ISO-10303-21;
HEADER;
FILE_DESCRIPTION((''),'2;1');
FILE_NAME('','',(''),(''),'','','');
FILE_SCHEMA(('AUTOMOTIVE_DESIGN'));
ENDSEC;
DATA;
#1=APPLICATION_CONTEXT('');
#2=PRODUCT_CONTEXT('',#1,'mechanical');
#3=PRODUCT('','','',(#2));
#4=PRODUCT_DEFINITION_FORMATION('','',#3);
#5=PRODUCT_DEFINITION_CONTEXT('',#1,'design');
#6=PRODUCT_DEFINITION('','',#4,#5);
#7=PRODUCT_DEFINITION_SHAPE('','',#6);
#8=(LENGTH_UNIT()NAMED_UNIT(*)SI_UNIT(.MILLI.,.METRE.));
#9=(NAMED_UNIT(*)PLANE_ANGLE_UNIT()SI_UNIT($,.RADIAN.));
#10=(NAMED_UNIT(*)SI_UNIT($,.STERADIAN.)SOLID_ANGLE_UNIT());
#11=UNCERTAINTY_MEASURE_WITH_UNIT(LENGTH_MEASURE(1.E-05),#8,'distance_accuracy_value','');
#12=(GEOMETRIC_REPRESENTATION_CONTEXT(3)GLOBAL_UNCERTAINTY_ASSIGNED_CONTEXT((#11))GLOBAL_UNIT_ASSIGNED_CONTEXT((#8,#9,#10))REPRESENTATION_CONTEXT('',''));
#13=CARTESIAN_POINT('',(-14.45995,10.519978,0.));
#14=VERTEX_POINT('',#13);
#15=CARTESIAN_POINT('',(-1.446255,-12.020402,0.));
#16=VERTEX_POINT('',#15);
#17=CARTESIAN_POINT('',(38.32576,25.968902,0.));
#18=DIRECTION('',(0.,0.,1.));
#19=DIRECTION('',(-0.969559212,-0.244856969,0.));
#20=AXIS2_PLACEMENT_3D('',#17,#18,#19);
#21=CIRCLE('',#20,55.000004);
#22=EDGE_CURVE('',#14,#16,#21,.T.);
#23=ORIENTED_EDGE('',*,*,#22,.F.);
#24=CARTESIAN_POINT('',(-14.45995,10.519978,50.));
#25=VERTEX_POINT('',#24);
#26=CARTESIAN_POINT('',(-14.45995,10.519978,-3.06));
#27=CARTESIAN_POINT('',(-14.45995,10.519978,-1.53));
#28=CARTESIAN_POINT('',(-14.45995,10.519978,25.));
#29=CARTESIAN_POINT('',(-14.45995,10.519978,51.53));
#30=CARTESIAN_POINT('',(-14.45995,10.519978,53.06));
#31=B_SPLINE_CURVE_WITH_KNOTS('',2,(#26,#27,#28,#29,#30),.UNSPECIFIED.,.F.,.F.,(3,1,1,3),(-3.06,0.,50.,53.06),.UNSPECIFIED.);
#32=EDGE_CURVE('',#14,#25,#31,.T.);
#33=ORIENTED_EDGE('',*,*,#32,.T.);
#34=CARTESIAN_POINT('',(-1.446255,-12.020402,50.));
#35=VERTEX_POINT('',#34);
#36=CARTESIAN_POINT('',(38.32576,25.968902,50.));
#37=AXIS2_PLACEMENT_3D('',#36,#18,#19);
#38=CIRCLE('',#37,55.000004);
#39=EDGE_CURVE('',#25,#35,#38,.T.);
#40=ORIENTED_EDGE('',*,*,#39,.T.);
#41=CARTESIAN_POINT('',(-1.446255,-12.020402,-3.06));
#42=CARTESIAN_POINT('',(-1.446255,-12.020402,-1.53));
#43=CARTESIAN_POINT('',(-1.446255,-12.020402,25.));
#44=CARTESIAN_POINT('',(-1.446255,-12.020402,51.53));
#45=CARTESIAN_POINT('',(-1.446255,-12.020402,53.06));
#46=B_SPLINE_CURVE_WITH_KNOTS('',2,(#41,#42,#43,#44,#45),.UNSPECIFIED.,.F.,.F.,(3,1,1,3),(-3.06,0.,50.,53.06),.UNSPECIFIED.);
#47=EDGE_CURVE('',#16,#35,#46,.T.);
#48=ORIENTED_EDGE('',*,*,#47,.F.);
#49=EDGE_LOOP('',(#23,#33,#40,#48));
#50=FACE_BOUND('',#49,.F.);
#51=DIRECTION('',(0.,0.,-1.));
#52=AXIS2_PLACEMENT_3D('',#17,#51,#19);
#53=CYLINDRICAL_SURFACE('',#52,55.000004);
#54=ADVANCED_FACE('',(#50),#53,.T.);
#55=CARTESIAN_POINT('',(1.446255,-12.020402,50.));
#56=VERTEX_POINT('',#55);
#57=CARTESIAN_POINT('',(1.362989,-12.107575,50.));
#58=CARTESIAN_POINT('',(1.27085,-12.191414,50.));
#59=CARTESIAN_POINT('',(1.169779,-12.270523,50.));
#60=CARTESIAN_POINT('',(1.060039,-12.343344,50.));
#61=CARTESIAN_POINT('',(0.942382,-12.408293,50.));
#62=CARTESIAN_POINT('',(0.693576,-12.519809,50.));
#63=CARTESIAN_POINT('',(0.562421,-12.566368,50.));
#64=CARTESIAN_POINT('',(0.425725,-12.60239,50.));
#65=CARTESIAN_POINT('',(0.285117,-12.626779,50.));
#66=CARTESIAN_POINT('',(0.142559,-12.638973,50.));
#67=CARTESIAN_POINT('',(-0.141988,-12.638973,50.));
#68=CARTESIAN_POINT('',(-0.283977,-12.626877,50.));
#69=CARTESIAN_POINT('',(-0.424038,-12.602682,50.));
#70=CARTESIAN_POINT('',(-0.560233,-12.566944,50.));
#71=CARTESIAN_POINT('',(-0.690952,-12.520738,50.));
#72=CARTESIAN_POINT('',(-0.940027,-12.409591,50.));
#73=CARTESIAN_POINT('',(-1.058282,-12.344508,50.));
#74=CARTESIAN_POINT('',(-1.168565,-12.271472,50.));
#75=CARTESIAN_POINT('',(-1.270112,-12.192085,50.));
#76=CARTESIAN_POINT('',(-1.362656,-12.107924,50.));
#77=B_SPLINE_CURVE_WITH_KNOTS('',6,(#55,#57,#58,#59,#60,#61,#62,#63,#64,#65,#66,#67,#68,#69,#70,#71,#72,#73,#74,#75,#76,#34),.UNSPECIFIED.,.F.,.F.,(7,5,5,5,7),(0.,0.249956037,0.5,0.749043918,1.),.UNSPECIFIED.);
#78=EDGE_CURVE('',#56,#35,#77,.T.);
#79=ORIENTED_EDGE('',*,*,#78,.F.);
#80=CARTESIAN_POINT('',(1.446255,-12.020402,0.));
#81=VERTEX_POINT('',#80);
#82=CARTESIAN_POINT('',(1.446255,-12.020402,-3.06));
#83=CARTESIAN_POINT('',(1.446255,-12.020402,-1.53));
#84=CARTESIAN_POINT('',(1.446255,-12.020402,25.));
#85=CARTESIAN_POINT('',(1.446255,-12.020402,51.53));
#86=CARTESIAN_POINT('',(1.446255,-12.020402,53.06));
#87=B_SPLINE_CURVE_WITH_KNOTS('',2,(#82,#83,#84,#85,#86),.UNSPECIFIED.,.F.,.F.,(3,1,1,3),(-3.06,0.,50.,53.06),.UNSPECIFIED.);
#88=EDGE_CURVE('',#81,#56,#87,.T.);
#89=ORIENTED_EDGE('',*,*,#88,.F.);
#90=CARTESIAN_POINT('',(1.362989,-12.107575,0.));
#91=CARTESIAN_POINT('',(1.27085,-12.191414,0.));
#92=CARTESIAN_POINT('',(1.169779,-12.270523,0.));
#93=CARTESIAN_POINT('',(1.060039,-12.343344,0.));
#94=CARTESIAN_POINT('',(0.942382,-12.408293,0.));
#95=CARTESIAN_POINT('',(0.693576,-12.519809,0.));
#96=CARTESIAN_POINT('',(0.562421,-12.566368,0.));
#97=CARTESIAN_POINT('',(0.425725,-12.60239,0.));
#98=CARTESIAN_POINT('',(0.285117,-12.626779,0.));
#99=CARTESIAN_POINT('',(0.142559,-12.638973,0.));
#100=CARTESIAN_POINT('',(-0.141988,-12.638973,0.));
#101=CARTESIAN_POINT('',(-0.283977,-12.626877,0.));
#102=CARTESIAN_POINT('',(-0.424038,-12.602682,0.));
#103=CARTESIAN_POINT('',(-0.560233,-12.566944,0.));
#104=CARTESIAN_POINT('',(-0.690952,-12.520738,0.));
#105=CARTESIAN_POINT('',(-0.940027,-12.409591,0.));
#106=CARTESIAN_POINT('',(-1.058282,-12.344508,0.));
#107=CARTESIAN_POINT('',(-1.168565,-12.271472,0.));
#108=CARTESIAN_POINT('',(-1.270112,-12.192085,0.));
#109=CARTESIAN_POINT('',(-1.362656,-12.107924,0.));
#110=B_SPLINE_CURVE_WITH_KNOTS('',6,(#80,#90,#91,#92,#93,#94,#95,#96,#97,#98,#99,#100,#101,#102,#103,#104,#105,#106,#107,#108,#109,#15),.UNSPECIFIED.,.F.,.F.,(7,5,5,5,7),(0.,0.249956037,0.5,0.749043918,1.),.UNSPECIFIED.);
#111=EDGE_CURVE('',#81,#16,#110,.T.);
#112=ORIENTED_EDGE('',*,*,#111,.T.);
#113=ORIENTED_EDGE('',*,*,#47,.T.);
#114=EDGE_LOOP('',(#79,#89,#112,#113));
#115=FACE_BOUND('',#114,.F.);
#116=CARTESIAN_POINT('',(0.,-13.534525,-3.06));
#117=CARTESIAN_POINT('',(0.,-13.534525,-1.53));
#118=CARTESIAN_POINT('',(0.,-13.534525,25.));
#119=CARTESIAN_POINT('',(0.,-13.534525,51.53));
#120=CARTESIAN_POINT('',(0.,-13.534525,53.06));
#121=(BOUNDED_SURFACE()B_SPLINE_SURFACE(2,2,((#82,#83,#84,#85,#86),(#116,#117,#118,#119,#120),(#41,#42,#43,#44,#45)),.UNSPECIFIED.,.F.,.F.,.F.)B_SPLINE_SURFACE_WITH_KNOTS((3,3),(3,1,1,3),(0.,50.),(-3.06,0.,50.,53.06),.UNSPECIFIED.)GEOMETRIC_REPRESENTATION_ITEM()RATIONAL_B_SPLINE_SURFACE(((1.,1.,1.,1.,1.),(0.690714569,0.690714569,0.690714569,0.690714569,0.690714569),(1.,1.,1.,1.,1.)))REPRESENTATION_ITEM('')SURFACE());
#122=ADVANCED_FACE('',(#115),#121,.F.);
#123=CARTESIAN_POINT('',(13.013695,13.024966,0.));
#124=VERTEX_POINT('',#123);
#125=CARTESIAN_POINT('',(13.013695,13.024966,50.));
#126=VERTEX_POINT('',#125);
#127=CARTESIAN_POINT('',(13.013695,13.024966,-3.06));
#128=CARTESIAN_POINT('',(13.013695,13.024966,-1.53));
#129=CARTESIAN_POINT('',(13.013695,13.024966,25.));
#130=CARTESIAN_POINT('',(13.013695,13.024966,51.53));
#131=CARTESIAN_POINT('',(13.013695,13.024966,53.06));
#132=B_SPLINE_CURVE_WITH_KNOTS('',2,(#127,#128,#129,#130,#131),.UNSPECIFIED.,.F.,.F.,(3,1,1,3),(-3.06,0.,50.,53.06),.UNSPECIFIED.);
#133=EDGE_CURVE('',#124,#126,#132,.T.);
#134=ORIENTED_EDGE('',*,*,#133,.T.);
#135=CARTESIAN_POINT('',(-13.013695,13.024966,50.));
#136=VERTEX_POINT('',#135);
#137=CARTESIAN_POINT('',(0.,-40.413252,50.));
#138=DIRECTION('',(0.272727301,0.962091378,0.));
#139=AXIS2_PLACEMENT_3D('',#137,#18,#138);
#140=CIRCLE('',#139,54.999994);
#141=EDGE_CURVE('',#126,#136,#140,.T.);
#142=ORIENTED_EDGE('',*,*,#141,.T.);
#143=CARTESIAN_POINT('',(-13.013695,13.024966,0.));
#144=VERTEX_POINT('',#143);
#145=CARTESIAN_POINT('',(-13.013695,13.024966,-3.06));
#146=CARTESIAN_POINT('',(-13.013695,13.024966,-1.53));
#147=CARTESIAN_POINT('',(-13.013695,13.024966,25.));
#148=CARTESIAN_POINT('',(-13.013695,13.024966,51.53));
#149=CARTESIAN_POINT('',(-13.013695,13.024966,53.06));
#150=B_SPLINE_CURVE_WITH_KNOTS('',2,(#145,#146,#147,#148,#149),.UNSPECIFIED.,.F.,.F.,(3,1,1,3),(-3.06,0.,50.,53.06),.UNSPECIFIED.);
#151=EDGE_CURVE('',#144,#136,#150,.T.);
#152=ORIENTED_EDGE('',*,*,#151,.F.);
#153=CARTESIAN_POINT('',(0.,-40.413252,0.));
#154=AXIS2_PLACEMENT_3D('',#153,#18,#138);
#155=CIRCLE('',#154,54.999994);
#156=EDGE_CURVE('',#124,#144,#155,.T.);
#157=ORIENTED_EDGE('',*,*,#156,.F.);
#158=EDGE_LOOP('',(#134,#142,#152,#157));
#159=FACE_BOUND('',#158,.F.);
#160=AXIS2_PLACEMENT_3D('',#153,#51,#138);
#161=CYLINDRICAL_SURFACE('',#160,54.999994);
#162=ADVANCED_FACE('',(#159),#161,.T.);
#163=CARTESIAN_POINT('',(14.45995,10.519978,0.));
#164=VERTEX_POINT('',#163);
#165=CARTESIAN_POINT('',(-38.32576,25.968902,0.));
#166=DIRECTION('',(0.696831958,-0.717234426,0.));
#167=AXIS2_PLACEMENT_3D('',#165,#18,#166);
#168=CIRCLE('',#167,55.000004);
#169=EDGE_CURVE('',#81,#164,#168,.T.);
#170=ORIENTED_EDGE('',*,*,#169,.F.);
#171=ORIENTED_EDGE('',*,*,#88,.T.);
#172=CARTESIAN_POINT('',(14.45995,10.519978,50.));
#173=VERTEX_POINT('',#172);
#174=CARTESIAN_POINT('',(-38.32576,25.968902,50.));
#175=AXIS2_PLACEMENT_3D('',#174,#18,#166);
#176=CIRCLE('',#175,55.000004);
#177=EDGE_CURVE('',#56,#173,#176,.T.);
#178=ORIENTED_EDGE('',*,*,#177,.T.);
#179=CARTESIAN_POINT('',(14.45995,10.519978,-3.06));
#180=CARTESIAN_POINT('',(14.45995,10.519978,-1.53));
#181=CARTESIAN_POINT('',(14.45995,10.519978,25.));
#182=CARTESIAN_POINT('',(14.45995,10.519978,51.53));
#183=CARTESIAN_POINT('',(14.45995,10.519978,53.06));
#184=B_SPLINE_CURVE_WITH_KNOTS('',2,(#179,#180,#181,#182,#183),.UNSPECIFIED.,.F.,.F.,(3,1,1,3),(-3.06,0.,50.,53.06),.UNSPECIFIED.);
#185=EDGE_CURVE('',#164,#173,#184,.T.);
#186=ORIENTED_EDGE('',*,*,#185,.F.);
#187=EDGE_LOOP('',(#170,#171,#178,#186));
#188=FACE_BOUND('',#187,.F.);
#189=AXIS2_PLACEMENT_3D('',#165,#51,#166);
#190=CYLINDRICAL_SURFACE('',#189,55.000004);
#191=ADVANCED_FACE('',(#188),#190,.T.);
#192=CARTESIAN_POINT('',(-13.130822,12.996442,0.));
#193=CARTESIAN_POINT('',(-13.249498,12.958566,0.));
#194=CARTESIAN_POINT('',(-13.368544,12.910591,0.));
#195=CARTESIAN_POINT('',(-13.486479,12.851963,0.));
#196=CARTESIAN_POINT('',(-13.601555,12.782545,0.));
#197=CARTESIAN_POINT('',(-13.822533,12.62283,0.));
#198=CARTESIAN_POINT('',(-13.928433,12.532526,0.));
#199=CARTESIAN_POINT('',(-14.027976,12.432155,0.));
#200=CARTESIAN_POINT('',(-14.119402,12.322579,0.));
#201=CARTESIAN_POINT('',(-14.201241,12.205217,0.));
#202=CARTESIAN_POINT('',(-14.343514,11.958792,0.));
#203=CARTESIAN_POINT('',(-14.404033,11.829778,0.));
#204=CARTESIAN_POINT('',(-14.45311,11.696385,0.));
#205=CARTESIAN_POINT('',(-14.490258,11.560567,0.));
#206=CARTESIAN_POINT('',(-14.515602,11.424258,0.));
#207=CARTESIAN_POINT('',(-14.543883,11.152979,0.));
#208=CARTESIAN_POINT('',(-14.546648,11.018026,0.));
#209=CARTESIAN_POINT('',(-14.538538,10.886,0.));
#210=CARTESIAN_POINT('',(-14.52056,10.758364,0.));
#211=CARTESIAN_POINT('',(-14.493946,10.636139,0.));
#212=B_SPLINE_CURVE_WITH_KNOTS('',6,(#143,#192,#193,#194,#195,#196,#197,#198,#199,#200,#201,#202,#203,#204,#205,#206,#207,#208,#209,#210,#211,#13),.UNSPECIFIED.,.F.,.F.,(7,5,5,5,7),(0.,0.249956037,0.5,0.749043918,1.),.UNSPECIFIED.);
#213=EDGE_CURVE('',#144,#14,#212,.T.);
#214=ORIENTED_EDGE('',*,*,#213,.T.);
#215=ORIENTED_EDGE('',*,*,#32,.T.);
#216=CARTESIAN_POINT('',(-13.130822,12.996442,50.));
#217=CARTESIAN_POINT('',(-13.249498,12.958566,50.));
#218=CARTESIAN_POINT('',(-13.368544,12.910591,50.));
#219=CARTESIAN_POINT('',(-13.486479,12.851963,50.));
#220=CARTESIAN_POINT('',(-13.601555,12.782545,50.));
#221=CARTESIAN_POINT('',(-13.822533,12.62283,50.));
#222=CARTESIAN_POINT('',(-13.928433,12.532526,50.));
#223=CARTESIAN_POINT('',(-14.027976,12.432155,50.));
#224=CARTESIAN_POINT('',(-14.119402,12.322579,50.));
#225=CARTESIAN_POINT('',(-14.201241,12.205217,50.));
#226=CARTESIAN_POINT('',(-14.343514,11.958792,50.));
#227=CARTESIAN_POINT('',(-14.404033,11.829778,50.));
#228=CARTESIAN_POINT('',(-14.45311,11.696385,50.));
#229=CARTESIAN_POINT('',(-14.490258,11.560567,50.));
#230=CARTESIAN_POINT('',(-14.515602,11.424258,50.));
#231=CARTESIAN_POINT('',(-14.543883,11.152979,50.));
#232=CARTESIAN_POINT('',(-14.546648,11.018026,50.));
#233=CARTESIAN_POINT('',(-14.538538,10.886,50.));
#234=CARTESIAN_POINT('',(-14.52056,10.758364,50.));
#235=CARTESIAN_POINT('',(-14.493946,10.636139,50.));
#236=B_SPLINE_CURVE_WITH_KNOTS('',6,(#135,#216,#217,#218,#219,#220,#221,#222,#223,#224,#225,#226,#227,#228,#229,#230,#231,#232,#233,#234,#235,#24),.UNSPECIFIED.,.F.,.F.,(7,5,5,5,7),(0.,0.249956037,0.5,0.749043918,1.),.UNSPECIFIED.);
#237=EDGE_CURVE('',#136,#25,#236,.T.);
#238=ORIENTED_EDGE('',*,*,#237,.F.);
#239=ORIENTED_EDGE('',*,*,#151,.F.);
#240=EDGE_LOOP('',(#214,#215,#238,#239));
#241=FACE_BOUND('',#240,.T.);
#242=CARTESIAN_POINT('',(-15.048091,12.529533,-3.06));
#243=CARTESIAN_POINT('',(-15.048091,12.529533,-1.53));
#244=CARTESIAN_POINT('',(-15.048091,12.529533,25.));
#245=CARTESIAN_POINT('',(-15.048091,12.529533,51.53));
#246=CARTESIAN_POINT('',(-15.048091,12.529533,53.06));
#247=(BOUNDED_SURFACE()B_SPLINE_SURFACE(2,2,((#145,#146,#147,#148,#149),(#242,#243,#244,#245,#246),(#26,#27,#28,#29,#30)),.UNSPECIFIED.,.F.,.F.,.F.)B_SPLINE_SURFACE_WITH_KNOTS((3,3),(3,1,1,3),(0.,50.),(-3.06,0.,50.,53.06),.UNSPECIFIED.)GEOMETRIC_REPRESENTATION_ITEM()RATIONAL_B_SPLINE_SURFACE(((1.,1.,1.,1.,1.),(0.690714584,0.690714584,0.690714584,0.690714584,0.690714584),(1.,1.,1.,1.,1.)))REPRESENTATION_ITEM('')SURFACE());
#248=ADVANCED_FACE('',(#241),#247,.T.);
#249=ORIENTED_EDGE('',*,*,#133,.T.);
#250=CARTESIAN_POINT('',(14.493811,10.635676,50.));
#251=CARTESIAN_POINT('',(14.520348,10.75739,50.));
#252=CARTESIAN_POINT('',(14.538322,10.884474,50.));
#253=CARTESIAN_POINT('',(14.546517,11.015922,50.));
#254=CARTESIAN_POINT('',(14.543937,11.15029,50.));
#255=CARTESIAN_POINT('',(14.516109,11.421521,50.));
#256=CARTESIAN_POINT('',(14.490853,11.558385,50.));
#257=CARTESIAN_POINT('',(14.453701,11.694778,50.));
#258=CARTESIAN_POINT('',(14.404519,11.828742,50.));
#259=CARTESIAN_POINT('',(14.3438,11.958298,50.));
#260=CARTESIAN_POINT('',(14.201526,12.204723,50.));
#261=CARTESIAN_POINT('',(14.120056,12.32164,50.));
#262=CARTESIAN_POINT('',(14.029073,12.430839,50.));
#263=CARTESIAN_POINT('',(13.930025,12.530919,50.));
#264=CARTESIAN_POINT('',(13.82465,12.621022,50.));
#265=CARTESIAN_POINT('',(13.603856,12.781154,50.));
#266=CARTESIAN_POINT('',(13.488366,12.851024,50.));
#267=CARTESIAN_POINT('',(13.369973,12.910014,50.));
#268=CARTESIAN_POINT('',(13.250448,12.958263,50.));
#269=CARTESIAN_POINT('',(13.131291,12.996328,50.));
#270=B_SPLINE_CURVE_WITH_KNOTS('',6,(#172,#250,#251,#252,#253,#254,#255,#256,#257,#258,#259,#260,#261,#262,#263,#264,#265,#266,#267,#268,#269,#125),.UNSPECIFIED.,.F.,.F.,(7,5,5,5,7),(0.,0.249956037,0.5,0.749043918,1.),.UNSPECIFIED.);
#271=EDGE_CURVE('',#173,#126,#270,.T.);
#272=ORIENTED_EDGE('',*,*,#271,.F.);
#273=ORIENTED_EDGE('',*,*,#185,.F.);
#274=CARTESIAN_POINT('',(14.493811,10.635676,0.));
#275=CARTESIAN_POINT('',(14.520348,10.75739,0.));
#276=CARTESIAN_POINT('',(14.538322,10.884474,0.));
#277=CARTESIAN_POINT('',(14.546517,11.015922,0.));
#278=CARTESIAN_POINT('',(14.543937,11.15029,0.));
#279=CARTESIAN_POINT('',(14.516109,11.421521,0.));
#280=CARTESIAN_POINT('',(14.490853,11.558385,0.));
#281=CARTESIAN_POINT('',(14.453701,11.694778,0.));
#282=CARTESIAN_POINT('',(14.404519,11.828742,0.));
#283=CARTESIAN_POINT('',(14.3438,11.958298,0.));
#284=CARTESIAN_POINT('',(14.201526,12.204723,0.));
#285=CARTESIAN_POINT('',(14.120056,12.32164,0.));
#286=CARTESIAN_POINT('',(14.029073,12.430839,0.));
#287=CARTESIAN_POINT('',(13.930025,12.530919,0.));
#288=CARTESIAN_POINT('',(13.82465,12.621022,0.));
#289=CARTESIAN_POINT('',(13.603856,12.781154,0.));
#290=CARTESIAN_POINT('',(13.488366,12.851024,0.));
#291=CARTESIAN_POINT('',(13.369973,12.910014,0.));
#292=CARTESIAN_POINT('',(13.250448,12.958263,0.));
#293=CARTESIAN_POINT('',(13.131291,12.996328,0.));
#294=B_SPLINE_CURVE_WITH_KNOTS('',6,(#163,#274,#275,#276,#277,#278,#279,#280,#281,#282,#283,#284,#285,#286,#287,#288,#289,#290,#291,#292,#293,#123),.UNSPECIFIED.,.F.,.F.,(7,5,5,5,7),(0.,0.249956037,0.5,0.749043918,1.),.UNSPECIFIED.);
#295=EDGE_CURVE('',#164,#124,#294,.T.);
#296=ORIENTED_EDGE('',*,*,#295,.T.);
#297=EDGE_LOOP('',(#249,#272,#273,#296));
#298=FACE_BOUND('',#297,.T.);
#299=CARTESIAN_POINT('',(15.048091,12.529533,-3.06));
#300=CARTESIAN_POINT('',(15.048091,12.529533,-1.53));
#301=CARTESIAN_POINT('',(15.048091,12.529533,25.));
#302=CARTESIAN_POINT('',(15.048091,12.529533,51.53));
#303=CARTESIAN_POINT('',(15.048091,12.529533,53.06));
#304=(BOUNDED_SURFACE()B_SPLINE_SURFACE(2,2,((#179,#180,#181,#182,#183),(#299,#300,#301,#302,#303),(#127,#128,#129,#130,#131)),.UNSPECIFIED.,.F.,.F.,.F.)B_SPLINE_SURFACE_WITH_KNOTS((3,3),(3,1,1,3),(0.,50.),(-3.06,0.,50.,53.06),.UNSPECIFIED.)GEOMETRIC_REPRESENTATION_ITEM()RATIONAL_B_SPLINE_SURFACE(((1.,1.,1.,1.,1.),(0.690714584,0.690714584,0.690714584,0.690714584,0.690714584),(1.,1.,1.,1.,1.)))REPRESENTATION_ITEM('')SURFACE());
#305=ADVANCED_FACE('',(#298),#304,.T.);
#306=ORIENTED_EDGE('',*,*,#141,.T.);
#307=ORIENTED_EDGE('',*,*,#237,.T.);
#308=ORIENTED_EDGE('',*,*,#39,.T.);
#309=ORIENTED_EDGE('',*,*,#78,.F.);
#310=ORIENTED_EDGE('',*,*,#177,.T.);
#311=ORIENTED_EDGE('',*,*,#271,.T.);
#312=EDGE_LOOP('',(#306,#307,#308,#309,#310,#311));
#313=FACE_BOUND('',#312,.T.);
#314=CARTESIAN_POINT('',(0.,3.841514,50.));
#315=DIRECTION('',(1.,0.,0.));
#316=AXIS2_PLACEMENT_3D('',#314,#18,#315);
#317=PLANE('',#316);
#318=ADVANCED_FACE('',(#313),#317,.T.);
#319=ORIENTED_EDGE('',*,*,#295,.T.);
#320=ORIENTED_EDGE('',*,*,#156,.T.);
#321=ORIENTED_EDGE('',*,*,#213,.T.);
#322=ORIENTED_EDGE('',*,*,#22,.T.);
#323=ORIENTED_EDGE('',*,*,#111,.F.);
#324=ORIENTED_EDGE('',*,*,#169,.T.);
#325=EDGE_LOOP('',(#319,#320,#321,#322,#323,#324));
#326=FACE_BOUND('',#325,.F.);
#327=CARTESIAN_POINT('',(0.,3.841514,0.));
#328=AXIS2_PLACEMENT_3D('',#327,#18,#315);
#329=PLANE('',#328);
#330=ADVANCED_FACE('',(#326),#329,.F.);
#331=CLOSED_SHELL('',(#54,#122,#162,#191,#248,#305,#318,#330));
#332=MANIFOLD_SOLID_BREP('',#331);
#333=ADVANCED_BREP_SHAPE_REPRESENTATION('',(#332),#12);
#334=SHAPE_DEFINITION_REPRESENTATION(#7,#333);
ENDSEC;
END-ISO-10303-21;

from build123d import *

# Parameters (mm, degrees)
F1_DEPTH = 50
F2_R     = 2


with BuildPart() as f1:
    # F0 (on Top) → F1 (new body)
    with BuildSketch(Plane.XY):
        with BuildLine():
            ThreePointArc((0, -13.478994), (9.30564, -1.5311), (15, 12.501768))
            ThreePointArc((15, 12.501768), (0, 14.586742), (-15, 12.501768))
            ThreePointArc((-15, 12.501768), (-9.30564, -1.5311), (0, -13.478994))
        make_face()
    extrude(amount=F1_DEPTH)

    # F2
    f2_edges = [f1.edges().sort_by_distance(p)[0] for p in [
        (0, -13.478994, 25),
        (15, 12.501768, 25),
        (-15, 12.501768, 25),
    ]]
    fillet(f2_edges, radius=F2_R)


solid = f1.part
